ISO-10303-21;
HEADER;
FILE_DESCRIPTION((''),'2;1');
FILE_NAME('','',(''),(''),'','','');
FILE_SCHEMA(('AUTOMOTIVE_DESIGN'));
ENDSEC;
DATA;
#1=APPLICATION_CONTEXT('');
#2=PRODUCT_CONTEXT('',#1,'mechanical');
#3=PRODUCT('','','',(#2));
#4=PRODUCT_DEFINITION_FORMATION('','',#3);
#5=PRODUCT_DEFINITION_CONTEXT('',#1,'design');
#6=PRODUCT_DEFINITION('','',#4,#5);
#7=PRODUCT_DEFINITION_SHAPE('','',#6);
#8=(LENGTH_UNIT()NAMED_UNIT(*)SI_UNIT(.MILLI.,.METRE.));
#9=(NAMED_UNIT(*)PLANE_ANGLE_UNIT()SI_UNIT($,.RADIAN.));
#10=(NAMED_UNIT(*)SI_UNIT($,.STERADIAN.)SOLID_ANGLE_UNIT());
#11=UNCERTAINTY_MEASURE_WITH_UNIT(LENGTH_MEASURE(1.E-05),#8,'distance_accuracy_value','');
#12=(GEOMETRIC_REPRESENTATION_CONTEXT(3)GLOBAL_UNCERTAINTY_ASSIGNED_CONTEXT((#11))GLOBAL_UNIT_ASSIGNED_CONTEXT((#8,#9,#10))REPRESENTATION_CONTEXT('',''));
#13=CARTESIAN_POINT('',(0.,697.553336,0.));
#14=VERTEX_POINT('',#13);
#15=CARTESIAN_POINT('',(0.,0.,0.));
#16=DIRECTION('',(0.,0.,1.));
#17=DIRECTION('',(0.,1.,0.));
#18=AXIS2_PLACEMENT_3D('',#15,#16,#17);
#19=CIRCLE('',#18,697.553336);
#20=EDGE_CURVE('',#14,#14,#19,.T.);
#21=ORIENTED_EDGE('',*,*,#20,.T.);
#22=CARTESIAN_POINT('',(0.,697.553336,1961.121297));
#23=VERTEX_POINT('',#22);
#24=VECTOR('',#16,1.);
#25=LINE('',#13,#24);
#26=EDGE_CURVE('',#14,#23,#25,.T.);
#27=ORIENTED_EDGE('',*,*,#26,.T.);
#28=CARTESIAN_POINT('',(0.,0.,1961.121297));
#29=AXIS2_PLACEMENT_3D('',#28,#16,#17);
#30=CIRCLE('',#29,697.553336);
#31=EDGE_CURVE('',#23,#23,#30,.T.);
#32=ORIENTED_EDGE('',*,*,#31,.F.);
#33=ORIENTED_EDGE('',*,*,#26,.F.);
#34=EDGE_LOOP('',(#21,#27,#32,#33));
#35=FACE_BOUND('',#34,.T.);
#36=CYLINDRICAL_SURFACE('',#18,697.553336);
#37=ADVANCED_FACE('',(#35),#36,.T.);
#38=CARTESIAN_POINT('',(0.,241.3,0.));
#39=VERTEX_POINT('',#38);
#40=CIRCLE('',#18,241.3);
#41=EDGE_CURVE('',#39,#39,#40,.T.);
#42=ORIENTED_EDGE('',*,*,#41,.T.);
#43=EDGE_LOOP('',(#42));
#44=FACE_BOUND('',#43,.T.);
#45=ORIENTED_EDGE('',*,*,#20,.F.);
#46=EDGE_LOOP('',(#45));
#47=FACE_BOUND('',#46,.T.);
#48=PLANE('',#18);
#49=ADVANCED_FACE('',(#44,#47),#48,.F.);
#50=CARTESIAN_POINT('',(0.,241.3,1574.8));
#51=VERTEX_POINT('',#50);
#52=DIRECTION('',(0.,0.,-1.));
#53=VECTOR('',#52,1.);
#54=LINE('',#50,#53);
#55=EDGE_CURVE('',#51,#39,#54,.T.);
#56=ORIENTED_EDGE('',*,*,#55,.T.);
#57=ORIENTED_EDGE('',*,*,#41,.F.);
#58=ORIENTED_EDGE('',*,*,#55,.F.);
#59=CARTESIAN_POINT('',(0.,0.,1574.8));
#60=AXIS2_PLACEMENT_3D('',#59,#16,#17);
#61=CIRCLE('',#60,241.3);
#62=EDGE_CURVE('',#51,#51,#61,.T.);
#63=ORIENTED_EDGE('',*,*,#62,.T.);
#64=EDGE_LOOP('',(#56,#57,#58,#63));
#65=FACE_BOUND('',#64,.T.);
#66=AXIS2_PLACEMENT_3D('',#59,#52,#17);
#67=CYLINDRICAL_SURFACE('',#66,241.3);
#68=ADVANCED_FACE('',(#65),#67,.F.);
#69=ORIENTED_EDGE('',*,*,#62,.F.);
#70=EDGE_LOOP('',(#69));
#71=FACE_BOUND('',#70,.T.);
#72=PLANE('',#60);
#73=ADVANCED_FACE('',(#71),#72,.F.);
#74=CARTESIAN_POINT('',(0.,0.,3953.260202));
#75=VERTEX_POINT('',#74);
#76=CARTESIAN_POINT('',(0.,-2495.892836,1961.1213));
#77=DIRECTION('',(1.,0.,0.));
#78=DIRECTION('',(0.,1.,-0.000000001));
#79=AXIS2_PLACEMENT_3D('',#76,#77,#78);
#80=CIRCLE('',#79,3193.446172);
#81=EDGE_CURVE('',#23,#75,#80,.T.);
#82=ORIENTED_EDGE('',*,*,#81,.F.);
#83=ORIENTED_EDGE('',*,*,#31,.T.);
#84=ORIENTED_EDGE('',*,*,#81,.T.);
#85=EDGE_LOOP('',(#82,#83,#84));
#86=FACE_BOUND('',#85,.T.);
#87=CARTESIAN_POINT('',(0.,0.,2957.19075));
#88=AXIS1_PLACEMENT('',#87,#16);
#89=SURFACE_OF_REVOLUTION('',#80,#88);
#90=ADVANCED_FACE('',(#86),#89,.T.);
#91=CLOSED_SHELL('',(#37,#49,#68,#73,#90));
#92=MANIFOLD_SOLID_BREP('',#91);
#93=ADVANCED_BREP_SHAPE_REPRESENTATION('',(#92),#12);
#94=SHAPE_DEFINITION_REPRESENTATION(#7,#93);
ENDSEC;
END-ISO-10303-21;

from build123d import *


with BuildPart() as f1:
    # F0 (on Right) → F1 (revolve)
    with BuildSketch(Plane.YZ):
        with BuildLine():
            Line((241.3, 1574.8), (241.3, 0))
            Line((241.3, 0), (697.553336, 0))
            Line((697.553336, 0), (697.553336, 1961.121297))
            ThreePointArc((697.553336, 1961.121297), (518.124241, 3016.488304), (0, 3953.260202))
            Line((0, 3953.260202), (0, 1961.121297))
            Line((0, 1961.121297), (0, 1574.8))
            Line((0, 1574.8), (241.3, 1574.8))
        make_face()
    revolve(axis=Axis((0, 0, 2957.19075), (0, 0, 1)))


solid = f1.part
